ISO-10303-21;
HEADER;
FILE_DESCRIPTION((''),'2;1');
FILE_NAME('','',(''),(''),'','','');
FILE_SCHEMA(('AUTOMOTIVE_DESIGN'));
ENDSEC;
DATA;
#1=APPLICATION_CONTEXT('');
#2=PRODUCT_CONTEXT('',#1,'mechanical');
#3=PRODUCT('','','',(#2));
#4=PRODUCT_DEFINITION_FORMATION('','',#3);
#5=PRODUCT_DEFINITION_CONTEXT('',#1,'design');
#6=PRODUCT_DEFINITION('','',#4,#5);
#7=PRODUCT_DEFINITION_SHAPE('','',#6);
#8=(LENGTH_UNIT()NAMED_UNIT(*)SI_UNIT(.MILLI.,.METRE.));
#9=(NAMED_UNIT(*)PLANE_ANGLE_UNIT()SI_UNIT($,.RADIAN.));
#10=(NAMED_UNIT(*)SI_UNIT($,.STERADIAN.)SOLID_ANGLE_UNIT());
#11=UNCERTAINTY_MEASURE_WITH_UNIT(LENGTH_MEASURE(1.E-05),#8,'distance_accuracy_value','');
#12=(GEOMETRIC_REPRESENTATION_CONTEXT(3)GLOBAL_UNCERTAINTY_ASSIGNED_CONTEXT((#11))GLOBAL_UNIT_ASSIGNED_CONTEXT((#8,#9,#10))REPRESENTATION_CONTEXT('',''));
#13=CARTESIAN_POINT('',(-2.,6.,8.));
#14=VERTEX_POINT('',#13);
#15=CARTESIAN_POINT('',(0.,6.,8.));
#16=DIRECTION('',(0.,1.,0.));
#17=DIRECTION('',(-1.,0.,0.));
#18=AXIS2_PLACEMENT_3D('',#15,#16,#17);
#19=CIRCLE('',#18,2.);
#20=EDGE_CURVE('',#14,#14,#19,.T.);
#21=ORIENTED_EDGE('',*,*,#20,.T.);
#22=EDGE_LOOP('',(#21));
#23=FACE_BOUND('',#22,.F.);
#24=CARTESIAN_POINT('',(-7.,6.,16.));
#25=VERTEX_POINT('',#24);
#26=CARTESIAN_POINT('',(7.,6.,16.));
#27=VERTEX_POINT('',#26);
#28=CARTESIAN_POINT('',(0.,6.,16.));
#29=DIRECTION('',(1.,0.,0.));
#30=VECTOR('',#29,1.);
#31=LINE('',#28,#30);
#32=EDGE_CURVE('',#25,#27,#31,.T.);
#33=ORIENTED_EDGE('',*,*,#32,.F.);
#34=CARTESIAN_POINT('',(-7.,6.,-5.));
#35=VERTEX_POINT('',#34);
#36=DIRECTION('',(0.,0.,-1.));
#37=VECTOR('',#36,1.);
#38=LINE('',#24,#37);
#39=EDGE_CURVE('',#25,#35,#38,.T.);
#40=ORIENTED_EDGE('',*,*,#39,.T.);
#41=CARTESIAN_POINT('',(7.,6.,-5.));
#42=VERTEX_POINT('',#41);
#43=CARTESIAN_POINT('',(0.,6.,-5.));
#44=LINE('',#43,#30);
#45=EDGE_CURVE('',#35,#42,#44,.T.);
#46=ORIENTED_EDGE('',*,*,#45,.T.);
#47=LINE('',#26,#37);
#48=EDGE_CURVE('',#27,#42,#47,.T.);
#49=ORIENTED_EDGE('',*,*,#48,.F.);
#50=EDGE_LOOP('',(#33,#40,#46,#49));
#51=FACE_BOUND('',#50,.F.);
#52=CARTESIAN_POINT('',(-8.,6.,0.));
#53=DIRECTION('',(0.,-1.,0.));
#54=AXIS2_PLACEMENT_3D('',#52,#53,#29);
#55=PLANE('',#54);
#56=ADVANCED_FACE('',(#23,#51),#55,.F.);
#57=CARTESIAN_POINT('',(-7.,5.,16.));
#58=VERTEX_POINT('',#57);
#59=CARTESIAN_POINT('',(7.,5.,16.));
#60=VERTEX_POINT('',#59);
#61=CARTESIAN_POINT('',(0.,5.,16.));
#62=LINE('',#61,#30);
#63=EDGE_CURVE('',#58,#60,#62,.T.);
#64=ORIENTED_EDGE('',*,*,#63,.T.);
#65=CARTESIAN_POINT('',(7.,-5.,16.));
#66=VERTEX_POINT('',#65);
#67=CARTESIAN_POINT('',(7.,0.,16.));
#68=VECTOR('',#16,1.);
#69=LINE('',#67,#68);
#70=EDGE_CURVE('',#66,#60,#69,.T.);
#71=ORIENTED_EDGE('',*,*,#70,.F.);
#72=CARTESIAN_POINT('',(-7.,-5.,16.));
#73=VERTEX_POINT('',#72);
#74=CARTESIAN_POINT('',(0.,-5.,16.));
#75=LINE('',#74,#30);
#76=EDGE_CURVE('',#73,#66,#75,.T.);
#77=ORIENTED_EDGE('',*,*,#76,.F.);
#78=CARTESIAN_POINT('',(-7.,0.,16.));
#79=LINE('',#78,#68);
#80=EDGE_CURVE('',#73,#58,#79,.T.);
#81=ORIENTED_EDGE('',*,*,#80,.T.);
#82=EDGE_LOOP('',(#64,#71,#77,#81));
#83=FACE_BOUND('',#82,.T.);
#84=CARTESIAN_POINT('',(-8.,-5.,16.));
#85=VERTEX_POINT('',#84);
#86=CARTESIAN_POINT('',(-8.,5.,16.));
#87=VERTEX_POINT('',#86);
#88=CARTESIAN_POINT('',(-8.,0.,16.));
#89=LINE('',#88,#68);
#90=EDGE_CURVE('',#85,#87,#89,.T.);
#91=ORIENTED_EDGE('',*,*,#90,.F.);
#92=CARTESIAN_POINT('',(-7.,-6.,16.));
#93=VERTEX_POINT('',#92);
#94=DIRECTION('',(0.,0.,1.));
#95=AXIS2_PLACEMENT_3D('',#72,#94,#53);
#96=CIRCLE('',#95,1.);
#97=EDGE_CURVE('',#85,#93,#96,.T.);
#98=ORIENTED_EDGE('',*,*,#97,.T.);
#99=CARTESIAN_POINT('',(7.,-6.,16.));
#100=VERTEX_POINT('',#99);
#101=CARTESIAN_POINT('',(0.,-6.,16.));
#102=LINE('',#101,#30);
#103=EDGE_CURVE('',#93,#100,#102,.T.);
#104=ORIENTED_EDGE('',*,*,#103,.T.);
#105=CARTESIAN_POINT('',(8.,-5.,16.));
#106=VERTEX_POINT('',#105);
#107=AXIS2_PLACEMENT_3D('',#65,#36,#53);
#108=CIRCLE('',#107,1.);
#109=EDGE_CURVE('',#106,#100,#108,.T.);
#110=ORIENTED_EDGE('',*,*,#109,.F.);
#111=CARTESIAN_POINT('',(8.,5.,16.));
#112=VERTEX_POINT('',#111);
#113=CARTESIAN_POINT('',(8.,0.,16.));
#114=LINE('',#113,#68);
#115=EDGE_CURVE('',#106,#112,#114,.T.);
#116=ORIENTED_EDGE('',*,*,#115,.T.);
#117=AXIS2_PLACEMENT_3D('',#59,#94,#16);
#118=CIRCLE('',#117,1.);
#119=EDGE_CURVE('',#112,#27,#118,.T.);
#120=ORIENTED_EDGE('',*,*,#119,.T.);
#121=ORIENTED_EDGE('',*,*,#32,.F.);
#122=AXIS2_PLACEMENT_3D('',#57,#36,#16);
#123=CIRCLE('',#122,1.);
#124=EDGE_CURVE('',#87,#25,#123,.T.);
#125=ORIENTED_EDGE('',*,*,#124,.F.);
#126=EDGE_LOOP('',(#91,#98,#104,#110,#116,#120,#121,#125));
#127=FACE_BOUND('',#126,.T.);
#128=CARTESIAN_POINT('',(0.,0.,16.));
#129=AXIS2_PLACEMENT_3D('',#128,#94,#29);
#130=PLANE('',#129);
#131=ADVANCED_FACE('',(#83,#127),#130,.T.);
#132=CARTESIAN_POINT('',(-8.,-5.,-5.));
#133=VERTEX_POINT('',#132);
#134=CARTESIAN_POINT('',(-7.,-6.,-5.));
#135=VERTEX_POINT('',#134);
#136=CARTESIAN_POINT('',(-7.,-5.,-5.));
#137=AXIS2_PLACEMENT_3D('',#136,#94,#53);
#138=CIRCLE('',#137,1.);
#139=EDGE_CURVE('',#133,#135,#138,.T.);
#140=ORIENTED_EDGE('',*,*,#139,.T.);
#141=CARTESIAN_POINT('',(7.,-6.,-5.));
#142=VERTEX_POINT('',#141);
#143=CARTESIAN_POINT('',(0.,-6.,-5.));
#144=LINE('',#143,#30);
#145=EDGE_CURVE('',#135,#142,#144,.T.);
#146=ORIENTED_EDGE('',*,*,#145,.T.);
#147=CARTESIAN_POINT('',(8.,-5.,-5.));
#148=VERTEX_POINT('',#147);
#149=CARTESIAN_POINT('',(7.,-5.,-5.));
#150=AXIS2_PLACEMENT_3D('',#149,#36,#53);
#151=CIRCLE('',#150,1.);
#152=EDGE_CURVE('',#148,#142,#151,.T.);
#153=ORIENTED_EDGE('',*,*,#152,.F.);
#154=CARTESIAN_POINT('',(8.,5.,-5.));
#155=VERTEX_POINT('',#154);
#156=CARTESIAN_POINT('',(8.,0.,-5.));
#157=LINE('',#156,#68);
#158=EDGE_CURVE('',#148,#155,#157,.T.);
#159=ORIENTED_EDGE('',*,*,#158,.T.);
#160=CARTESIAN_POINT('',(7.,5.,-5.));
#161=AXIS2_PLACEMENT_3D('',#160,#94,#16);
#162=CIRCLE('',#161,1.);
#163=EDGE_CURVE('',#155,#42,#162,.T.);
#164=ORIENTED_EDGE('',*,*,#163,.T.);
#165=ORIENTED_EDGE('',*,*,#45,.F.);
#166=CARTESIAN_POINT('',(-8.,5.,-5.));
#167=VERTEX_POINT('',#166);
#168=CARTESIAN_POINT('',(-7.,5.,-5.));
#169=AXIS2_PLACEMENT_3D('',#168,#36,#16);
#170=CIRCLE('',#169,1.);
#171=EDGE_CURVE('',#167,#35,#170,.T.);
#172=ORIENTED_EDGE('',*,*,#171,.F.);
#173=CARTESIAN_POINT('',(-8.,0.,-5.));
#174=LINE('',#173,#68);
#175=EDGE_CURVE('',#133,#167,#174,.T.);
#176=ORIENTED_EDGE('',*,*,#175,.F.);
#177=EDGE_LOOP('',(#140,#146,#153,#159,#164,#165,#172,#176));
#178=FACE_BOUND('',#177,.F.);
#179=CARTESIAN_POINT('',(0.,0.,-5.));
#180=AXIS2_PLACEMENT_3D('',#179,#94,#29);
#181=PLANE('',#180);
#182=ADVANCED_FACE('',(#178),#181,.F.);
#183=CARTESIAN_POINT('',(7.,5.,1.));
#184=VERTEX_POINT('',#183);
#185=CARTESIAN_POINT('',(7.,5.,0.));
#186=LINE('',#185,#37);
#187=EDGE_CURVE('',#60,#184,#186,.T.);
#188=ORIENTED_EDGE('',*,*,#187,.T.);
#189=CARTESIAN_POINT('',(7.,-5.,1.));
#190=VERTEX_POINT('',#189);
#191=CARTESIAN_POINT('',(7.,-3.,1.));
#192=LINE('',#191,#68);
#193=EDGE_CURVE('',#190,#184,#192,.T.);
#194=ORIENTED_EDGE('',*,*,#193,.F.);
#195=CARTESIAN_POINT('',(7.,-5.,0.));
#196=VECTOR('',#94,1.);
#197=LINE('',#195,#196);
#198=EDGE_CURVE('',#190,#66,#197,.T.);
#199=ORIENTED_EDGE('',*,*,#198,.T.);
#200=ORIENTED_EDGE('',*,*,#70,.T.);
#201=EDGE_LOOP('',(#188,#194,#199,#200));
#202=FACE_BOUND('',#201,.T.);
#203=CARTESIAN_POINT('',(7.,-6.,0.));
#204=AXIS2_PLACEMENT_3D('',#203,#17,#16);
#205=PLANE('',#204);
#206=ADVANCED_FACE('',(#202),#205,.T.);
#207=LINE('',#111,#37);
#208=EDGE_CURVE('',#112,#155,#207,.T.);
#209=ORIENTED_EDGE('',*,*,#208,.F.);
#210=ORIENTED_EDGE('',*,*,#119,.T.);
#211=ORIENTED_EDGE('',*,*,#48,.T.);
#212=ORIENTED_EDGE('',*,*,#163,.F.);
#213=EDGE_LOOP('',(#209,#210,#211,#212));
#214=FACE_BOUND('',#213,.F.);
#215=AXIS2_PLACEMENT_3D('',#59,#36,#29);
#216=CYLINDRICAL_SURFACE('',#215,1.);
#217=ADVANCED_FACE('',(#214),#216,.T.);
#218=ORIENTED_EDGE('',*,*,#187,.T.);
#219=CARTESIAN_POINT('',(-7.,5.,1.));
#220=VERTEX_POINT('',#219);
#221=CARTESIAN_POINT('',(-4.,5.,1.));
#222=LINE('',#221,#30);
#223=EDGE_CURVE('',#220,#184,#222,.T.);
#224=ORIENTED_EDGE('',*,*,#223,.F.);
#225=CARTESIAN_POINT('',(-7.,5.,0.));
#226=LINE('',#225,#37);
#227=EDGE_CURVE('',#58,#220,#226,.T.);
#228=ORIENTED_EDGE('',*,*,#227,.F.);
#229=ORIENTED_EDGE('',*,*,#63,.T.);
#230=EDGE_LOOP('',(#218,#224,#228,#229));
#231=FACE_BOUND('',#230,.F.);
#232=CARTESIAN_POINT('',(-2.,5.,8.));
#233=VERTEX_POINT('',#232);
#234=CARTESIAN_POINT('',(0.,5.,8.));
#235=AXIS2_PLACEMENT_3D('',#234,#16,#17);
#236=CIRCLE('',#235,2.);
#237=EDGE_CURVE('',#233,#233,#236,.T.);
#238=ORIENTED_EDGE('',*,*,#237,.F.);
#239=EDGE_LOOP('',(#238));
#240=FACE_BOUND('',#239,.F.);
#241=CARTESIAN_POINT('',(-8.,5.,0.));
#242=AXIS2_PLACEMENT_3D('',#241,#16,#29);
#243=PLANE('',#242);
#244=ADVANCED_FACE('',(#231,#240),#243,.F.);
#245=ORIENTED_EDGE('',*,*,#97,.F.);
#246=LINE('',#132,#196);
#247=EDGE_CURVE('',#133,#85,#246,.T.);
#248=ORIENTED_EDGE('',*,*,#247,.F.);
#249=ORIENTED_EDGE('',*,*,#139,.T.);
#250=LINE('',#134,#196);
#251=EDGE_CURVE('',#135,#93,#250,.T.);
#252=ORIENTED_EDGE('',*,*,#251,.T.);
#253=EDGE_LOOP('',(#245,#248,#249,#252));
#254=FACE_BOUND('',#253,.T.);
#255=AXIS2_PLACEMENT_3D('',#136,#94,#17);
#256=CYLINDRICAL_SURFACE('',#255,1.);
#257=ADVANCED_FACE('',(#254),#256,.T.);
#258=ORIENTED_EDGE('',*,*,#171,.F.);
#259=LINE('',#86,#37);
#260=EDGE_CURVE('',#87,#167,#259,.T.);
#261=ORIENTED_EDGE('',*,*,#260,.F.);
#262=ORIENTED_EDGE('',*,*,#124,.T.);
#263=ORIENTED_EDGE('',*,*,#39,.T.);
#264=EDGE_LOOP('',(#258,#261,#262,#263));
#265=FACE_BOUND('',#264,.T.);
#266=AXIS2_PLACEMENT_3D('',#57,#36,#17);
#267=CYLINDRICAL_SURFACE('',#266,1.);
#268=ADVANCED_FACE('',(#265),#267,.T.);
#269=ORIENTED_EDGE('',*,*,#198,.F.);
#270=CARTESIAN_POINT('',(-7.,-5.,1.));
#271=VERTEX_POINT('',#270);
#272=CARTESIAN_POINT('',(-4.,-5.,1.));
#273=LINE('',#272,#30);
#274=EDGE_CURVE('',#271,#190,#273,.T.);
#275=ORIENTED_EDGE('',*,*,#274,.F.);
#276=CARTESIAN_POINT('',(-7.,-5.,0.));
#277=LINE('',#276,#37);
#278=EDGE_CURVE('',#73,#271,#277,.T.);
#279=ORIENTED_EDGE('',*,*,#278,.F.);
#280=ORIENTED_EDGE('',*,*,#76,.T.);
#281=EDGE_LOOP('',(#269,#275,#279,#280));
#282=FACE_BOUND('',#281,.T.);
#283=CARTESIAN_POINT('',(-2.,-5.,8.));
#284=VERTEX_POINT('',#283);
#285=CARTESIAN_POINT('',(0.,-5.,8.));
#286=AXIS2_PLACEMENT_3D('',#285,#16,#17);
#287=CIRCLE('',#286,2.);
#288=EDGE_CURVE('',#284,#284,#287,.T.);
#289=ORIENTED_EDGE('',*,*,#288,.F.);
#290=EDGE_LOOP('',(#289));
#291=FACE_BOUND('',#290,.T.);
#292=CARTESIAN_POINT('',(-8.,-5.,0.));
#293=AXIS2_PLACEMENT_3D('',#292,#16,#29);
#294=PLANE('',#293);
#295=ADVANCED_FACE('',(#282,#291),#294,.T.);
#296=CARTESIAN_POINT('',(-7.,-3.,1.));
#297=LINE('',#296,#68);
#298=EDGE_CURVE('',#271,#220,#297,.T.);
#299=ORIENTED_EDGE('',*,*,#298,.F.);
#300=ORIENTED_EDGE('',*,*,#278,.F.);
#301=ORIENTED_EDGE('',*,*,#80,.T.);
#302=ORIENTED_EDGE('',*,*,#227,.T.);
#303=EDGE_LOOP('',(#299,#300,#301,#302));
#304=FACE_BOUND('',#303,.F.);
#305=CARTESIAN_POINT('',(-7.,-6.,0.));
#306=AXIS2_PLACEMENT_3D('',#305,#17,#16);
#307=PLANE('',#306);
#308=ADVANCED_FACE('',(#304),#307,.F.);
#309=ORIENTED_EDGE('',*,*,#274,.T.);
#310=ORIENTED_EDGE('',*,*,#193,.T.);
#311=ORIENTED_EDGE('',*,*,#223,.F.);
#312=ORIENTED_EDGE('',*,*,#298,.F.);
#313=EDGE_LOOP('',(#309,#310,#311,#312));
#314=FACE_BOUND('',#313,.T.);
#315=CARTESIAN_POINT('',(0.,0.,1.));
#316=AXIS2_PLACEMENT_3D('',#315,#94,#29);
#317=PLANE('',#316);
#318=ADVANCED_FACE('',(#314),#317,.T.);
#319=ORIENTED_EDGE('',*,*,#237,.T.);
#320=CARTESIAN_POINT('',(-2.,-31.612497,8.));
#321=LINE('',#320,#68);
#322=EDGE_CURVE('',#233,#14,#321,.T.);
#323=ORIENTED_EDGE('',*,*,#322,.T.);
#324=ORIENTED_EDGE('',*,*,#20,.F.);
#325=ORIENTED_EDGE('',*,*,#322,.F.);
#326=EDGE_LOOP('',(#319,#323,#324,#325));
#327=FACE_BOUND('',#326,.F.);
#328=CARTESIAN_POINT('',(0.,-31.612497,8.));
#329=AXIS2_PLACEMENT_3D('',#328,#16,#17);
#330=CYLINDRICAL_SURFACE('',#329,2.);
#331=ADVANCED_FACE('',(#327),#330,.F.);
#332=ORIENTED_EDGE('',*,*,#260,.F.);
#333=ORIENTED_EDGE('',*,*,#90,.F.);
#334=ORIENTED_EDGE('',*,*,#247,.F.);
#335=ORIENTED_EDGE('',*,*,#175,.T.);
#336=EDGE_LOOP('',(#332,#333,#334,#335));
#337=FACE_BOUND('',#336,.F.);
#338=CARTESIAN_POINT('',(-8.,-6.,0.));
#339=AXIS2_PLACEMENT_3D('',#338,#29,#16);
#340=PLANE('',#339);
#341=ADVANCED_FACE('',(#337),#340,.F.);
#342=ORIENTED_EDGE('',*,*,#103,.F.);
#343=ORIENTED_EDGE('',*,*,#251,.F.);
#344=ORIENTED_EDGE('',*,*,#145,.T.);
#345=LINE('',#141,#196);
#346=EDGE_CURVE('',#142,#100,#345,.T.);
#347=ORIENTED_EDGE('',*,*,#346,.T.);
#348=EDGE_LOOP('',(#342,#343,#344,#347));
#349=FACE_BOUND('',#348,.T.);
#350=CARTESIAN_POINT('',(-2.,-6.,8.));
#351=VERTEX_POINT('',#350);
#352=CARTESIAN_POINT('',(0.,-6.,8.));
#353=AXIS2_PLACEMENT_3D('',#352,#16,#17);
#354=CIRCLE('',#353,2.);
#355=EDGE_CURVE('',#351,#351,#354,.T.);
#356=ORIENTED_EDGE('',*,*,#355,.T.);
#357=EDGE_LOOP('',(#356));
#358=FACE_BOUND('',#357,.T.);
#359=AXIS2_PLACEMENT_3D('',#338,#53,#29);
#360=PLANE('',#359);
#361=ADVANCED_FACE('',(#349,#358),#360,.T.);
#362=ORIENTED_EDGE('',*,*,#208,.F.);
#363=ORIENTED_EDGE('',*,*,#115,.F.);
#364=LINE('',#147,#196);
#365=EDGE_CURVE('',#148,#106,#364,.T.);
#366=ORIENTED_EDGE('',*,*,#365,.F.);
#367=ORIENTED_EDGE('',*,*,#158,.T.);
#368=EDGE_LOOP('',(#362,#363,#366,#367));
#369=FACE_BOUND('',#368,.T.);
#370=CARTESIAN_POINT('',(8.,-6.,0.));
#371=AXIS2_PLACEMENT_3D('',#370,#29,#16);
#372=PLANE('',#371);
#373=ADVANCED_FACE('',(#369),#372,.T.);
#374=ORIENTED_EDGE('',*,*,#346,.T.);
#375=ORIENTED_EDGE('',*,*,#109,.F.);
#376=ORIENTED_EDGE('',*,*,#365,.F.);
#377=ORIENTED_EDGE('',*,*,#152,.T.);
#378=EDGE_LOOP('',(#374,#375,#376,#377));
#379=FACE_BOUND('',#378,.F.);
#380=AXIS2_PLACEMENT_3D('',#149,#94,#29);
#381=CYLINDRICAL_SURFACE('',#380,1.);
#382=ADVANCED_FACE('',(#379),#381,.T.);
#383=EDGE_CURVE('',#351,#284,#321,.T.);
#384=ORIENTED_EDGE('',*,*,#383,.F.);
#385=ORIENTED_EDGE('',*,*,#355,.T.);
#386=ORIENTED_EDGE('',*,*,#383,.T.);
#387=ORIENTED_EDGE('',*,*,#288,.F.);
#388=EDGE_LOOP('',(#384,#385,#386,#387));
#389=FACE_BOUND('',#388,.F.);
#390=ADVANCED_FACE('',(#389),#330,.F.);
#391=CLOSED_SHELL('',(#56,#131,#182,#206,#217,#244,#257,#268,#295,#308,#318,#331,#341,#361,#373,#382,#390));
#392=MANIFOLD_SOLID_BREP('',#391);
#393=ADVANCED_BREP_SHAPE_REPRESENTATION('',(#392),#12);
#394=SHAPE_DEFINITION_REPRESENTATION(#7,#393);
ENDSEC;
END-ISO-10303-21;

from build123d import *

# Parameters (mm, degrees)
F0_W     = 16
F0_H     = 12
F1_DEPTH = 16
F2_T     = -1
F4_D     = 4
F5_DEPTH = 5
F6_R     = 1


with BuildPart() as f1:
    # F0 (on Top) → F1 (new body)
    with BuildSketch(Plane.XY):
        Rectangle(F0_W, F0_H)
    extrude(amount=F1_DEPTH)

    # F2
    f2_openings = [f1.faces().sort_by_distance(p)[0] for p in [
        (0, 0, 16),
    ]]
    offset(amount=F2_T, openings=f2_openings)

    # F4 (through all)
    with Locations(Plane.XZ.offset(6)):
        with Locations((0, 8)):
            Hole(F4_D / 2)

    # F5 (add): a face of the model
    f5_faces = [f1.faces().sort_by_distance(p)[0] for p in [
        (0, 0, 0),
    ]]
    extrude(f5_faces, amount=F5_DEPTH)

    # F6
    f6_edges = [f1.edges().sort_by_distance(p)[0] for p in [
        (8, -6, 5.5),
        (-8, -6, 5.5),
        (8, 6, 5.5),
        (-8, 6, 5.5),
    ]]
    fillet(f6_edges, radius=F6_R)


solid = f1.part
